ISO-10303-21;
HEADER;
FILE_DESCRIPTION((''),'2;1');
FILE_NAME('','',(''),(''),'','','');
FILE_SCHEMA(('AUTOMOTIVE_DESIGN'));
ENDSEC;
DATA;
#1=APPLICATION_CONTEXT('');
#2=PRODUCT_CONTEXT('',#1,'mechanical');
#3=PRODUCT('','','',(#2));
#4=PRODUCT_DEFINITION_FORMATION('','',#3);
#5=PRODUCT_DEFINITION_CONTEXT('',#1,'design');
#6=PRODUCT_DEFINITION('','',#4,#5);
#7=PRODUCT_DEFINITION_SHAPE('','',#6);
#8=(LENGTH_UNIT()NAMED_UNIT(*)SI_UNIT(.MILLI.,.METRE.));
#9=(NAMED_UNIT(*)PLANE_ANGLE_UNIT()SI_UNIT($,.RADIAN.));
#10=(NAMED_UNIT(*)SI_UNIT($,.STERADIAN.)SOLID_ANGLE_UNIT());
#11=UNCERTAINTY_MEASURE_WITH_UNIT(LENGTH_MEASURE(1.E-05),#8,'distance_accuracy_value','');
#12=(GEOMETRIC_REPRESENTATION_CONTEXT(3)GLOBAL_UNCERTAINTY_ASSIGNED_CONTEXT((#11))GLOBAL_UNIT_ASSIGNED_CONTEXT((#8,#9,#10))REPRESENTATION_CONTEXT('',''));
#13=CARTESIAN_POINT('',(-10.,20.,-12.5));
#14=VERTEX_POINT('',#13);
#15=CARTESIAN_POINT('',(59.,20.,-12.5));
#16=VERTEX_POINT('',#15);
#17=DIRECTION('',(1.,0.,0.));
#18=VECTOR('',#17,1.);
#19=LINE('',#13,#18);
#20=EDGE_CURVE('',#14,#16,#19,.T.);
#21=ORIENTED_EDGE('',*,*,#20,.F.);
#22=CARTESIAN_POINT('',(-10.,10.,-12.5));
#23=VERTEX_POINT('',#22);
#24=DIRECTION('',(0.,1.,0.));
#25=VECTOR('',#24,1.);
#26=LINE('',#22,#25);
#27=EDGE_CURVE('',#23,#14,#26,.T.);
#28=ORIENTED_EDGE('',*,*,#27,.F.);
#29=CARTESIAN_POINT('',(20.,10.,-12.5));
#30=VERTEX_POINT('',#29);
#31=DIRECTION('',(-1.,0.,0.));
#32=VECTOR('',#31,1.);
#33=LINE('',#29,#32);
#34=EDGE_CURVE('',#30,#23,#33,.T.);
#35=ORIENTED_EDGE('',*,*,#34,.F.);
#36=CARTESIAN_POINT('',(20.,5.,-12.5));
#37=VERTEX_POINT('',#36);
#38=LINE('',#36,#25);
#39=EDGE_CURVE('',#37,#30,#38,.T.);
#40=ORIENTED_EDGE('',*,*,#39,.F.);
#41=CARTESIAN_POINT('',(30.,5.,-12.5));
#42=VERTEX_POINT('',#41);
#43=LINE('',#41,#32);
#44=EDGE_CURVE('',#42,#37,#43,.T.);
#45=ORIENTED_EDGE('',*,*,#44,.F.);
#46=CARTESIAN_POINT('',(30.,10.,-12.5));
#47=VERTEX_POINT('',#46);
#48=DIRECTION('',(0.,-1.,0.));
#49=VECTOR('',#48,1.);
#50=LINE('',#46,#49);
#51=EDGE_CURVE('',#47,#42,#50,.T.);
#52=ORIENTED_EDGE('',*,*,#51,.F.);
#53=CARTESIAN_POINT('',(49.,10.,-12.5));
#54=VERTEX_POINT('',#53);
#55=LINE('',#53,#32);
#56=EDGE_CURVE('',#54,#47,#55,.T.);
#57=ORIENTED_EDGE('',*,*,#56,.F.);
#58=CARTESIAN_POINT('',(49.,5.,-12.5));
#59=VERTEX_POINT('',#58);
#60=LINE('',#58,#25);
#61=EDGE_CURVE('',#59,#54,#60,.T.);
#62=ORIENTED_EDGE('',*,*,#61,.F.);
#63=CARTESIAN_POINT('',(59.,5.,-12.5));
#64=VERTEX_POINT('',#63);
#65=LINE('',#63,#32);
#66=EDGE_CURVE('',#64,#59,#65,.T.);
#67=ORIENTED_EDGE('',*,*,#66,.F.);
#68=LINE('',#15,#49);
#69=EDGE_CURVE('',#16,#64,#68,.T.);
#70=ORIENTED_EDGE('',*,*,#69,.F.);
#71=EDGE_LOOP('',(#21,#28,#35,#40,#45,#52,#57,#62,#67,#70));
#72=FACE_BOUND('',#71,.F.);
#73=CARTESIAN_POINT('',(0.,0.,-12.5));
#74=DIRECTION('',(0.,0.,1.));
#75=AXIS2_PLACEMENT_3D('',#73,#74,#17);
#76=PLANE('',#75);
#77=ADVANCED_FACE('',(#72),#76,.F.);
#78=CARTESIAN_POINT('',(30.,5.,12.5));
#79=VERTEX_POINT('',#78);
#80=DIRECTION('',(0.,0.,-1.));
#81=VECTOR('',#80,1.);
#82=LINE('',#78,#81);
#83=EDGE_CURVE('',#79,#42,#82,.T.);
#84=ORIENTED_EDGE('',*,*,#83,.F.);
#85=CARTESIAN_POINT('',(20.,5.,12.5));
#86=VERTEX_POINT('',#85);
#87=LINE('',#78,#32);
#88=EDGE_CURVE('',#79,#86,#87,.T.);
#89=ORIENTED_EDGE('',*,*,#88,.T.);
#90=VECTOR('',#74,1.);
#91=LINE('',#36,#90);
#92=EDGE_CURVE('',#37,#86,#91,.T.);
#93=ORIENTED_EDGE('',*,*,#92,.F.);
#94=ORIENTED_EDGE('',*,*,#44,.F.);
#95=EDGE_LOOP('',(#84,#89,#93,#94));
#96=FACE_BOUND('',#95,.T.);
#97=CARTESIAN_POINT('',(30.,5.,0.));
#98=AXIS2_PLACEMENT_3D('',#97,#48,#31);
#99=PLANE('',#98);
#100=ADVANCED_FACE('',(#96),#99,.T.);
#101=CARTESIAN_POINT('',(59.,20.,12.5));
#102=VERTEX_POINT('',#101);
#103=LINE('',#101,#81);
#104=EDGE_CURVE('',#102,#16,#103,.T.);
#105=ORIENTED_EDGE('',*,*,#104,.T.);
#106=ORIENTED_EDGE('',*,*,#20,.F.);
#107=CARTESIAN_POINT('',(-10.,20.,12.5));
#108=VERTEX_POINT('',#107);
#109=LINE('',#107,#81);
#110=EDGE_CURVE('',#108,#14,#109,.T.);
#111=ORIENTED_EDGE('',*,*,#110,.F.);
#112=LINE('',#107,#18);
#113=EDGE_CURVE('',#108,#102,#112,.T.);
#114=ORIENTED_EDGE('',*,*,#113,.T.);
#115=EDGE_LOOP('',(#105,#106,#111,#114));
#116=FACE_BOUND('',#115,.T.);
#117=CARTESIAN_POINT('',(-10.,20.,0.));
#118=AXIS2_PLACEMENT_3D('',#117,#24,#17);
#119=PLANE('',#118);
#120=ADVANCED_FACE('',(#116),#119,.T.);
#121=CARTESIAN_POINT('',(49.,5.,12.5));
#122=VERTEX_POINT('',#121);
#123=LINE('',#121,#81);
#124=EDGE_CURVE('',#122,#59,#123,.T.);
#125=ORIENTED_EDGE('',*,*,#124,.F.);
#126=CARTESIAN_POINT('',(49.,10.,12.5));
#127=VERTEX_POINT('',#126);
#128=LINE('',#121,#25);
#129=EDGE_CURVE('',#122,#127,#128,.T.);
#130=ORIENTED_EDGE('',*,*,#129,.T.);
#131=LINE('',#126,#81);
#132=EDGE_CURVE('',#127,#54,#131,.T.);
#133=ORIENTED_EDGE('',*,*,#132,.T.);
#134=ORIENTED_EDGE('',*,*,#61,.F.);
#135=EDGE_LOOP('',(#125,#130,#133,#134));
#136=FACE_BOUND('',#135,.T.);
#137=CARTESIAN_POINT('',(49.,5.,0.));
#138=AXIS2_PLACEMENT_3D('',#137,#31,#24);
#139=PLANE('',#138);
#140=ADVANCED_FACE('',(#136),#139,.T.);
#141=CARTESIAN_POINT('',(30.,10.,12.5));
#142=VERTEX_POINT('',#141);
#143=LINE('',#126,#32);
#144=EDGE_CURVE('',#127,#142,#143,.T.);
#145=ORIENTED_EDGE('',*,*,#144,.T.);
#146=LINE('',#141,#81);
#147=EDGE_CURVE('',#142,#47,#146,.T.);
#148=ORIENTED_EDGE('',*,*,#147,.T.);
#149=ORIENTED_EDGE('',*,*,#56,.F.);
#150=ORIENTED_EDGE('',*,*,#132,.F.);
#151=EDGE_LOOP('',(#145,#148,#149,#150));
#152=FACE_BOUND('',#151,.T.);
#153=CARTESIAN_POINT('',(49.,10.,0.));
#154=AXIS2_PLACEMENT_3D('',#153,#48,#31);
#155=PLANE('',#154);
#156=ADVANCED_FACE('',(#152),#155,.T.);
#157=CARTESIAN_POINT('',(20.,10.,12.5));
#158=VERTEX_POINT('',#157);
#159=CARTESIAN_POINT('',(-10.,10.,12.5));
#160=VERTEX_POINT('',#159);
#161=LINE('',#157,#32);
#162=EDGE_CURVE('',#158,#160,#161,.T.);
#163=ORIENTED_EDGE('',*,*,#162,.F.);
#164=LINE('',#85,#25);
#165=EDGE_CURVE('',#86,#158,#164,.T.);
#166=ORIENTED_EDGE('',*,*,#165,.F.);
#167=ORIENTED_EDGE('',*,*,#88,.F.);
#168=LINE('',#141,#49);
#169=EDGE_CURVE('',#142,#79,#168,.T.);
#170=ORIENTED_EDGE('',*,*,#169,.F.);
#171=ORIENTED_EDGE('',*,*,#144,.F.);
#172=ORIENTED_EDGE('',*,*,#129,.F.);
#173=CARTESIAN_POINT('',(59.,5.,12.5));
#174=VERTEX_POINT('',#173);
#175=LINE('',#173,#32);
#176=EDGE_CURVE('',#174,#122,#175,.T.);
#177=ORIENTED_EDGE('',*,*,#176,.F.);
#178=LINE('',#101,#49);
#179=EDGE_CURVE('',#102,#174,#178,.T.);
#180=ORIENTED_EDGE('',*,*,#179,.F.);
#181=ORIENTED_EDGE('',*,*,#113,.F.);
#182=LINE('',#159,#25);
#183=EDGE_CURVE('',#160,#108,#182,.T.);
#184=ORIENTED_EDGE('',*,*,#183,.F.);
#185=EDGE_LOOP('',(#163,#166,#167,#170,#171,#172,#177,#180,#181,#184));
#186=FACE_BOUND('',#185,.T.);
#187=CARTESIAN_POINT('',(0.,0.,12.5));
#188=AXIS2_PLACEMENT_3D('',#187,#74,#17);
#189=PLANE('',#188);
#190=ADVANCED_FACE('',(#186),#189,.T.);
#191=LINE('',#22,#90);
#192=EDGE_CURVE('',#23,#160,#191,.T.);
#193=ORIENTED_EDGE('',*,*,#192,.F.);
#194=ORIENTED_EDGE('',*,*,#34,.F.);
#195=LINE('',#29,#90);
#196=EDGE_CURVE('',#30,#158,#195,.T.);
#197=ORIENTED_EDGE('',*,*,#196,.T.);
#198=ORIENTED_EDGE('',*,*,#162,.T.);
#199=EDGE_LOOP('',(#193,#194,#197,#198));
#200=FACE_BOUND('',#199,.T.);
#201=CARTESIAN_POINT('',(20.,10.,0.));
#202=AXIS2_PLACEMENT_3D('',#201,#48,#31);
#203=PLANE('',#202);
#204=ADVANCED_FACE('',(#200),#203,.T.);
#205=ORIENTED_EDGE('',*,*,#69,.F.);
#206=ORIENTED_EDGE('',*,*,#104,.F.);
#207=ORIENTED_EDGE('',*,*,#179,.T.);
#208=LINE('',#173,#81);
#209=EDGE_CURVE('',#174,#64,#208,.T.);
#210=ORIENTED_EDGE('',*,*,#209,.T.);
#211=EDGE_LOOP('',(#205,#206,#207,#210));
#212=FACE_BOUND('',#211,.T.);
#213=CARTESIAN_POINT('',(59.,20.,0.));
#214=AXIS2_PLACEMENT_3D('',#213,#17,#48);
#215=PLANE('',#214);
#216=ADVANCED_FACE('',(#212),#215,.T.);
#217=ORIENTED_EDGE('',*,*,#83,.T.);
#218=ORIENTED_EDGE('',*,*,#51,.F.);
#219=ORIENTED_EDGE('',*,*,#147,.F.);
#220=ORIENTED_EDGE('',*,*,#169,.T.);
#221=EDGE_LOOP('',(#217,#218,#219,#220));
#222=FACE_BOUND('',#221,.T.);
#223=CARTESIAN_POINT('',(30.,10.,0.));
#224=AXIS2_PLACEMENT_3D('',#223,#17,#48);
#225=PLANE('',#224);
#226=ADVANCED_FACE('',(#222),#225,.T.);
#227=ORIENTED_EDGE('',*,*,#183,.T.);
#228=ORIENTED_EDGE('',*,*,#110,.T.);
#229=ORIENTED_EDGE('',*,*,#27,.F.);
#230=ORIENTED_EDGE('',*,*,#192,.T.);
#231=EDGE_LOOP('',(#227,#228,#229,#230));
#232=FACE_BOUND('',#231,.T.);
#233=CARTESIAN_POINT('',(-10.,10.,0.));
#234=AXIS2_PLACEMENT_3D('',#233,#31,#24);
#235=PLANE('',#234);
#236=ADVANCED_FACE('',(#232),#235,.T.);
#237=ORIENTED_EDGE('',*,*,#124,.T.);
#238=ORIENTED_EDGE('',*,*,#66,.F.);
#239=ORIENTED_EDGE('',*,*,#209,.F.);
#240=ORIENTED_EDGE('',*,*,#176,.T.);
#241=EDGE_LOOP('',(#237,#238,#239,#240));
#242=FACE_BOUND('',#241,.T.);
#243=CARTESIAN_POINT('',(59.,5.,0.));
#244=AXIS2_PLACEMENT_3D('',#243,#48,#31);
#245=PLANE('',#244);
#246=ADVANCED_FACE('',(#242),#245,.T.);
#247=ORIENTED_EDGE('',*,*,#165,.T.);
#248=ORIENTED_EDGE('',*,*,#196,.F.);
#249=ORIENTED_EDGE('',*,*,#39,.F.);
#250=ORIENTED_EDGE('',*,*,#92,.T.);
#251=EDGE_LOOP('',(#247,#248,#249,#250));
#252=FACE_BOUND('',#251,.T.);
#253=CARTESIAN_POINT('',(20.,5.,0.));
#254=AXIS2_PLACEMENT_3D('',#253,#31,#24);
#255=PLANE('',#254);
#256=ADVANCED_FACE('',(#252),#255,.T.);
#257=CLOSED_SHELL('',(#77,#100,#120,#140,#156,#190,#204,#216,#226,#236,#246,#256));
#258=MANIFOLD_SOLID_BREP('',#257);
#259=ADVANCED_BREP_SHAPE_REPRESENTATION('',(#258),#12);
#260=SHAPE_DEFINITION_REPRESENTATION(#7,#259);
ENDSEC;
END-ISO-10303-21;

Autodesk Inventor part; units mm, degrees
ref_plane "YZ Plane" through (0, 0, 0) normal (1, 0, 0) x (0, 1, 0)
ref_plane "XZ Plane" through (0, 0, 0) normal (0, 1, 0) x (-1, 0, 0)
ref_plane "XY Plane" through (0, 0, 0) normal (0, 0, 1) x (1, 0, 0)
sketch "Sketch1" plane through (0, 0, 0) normal (0, 0, 1) x (1, 0, 0)
  line L0 (-10, 10) -> (-10, 20)
  line L1 (-10, 20) -> (59, 20)
  line L2 (59, 20) -> (59, 5)
  line L3 (59, 5) -> (49, 5)
  line L4 (49, 5) -> (49, 10)
  line L5 (49, 10) -> (30, 10)
  line L6 (30, 10) -> (30, 5)
  line L7 (30, 5) -> (20, 5)
  line L8 (20, 5) -> (20, 10)
  line L9 (20, 10) -> (-10, 10)
  point P0 (0, 0)
  point P1 (0, 0)
  dimension "d0" = 19
  dimension "d1" = 10
  dimension "d2" = 10
  dimension "d3" = 30
  dimension "d4" = 10
  dimension "d5" = 5
  dimension "d6" = 59
  dimension "d7" = 10
  dimension "d8" = 10
  dimension "d9" = 59
extrude "Extrusion1" add sketch "Sketch1" along normal mid plane 25
properties part number "Load cell holder 3D print"
